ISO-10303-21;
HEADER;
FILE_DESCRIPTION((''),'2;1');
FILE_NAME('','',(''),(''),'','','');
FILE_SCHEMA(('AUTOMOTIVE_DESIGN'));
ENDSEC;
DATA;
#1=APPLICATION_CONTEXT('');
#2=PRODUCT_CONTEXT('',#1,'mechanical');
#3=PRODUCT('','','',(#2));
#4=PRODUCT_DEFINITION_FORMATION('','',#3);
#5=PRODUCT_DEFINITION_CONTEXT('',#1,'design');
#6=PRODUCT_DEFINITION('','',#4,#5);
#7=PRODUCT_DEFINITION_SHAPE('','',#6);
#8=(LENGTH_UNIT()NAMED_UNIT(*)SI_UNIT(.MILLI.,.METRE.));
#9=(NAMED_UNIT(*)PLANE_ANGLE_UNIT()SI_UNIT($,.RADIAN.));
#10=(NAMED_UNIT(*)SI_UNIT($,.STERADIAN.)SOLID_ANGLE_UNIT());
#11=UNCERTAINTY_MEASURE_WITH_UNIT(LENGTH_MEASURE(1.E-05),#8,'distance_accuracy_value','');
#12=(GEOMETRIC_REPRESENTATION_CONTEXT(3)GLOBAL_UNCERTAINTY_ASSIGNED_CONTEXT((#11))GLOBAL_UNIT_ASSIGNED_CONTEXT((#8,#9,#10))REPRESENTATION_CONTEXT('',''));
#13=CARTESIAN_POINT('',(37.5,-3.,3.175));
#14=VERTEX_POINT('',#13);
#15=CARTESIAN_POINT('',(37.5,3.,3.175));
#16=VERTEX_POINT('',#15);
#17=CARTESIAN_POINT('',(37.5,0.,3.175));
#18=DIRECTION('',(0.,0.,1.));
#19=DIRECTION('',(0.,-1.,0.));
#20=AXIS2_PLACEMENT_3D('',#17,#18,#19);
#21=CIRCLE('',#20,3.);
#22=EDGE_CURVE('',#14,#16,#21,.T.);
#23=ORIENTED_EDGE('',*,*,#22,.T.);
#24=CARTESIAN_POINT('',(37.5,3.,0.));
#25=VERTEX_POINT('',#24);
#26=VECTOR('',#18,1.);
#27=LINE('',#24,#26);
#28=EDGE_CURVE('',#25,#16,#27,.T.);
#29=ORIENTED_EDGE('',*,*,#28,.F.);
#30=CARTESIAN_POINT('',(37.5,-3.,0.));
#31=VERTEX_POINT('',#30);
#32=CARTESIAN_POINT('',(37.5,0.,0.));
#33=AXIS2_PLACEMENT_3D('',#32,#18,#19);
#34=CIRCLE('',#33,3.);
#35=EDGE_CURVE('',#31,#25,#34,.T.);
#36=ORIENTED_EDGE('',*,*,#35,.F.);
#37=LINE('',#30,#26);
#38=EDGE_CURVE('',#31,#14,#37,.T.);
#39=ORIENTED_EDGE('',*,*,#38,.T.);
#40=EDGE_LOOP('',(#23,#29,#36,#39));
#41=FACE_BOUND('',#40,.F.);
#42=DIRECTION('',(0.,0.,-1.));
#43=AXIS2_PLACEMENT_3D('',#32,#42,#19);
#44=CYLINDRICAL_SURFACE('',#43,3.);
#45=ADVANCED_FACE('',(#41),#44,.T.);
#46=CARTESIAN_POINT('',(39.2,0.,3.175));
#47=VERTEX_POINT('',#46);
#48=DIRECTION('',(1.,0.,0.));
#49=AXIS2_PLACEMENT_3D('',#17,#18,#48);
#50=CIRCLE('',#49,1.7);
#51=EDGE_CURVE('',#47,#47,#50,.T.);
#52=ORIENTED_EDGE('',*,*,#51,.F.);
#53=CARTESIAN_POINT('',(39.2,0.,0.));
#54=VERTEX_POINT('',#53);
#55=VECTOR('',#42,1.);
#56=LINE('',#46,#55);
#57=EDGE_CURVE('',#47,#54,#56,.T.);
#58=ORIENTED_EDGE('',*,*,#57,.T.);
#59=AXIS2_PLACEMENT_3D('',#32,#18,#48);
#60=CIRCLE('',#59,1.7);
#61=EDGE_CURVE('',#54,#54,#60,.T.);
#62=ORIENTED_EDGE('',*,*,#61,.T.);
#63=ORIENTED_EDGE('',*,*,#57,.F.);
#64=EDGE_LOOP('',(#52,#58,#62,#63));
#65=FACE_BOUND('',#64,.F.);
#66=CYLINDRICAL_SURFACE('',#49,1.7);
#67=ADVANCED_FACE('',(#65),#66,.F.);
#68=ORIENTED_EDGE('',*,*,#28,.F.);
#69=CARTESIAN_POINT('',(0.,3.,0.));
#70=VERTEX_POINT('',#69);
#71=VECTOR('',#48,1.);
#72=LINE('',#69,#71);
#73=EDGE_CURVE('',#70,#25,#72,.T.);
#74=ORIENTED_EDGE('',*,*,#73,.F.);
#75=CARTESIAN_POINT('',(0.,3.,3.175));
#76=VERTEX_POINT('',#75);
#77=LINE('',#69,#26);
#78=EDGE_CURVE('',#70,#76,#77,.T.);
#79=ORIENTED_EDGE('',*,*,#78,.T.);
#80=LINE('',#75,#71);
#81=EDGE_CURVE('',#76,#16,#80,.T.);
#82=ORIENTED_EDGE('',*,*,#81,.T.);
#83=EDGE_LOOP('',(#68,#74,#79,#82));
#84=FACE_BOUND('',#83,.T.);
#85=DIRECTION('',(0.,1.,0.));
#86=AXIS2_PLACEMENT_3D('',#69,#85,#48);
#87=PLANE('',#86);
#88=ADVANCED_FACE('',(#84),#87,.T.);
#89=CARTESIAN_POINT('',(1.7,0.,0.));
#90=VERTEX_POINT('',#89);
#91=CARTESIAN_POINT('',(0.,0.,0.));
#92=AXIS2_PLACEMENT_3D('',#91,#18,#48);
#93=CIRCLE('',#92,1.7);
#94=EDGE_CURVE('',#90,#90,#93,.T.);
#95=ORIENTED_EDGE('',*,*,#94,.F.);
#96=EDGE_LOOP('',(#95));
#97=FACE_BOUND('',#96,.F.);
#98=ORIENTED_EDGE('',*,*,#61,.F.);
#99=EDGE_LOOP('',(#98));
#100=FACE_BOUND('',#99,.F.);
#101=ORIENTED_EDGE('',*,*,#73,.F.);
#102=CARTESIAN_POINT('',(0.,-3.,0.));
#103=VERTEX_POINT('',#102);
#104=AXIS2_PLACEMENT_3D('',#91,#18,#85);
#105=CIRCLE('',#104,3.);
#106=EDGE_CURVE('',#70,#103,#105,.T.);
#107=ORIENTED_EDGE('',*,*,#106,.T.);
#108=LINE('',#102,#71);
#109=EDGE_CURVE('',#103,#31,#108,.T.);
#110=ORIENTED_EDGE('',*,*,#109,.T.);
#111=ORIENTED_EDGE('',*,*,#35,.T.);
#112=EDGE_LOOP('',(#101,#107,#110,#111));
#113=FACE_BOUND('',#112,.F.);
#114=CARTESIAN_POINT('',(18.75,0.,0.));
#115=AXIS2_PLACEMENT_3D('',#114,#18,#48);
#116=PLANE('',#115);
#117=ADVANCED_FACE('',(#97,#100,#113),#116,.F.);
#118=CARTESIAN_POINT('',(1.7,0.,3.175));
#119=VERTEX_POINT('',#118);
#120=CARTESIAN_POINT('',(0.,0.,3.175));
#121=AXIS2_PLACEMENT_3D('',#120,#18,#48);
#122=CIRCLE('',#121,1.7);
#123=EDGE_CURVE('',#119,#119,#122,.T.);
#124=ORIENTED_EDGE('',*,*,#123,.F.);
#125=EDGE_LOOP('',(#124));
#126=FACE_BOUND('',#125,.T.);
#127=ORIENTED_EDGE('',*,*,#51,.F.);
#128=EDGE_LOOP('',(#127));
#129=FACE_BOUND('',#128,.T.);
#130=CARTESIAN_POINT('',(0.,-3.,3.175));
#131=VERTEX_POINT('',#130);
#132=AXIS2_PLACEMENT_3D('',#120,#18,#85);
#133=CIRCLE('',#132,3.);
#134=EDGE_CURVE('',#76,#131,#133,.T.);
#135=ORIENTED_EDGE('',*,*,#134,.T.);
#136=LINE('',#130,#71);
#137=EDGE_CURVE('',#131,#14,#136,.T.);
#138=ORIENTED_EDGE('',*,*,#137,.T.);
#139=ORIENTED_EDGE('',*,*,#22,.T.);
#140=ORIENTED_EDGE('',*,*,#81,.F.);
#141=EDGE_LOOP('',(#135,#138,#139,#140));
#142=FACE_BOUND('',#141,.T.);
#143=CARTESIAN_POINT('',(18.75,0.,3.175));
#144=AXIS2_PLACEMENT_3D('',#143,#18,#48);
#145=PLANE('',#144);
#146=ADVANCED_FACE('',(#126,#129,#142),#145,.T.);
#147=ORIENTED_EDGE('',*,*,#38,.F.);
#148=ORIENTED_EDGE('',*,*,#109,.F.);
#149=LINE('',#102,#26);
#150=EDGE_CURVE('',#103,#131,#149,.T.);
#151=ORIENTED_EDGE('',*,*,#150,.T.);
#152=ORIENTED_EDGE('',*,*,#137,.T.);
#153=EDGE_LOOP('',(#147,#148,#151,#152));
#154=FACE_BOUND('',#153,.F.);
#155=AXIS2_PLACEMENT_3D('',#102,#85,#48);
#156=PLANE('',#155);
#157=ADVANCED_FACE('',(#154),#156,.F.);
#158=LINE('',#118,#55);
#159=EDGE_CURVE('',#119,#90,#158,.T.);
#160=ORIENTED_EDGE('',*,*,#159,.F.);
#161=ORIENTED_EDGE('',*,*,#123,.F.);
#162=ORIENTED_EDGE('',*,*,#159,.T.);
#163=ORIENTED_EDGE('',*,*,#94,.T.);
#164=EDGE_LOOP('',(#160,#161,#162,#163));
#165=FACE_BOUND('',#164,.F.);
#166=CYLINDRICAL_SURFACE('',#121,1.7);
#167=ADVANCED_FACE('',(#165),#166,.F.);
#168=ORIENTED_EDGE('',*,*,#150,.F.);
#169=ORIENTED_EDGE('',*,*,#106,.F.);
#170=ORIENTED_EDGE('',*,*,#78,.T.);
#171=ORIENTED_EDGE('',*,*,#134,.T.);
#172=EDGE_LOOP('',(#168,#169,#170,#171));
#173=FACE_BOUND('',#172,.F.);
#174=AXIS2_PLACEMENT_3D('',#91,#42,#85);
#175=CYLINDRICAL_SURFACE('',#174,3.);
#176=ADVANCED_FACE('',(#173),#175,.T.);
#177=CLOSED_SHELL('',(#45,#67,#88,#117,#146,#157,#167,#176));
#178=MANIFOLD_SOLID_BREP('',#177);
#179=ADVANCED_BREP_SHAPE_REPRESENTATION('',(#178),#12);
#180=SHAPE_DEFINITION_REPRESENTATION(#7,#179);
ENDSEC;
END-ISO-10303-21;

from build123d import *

# Parameters (mm, degrees)
PAD_DEPTH   = 3.175
SKETCH001_R = 1.7
HOLE_DEPTH  = 3.176


with BuildPart() as part:
    # Sketch → Pad (new body)
    with BuildSketch(Plane.XY):
        with BuildLine():
            ThreePointArc((0, 3), (-3, 0), (0, -3))
            Line((0, -3), (37.5, -3))
            ThreePointArc((37.5, -3), (40.5, 0), (37.5, 3))
            Line((0, 3), (37.5, 3))
        make_face()
    extrude(amount=PAD_DEPTH)

    # Sketch001 (on Face6 of Pad) → Hole (cut, through all)
    with BuildSketch(Plane.XY.offset(3.175)):
        Circle(SKETCH001_R)
        with Locations((37.5, 0)):
            Circle(SKETCH001_R)
    extrude(amount=-HOLE_DEPTH, mode=Mode.SUBTRACT)


solid = part.part
